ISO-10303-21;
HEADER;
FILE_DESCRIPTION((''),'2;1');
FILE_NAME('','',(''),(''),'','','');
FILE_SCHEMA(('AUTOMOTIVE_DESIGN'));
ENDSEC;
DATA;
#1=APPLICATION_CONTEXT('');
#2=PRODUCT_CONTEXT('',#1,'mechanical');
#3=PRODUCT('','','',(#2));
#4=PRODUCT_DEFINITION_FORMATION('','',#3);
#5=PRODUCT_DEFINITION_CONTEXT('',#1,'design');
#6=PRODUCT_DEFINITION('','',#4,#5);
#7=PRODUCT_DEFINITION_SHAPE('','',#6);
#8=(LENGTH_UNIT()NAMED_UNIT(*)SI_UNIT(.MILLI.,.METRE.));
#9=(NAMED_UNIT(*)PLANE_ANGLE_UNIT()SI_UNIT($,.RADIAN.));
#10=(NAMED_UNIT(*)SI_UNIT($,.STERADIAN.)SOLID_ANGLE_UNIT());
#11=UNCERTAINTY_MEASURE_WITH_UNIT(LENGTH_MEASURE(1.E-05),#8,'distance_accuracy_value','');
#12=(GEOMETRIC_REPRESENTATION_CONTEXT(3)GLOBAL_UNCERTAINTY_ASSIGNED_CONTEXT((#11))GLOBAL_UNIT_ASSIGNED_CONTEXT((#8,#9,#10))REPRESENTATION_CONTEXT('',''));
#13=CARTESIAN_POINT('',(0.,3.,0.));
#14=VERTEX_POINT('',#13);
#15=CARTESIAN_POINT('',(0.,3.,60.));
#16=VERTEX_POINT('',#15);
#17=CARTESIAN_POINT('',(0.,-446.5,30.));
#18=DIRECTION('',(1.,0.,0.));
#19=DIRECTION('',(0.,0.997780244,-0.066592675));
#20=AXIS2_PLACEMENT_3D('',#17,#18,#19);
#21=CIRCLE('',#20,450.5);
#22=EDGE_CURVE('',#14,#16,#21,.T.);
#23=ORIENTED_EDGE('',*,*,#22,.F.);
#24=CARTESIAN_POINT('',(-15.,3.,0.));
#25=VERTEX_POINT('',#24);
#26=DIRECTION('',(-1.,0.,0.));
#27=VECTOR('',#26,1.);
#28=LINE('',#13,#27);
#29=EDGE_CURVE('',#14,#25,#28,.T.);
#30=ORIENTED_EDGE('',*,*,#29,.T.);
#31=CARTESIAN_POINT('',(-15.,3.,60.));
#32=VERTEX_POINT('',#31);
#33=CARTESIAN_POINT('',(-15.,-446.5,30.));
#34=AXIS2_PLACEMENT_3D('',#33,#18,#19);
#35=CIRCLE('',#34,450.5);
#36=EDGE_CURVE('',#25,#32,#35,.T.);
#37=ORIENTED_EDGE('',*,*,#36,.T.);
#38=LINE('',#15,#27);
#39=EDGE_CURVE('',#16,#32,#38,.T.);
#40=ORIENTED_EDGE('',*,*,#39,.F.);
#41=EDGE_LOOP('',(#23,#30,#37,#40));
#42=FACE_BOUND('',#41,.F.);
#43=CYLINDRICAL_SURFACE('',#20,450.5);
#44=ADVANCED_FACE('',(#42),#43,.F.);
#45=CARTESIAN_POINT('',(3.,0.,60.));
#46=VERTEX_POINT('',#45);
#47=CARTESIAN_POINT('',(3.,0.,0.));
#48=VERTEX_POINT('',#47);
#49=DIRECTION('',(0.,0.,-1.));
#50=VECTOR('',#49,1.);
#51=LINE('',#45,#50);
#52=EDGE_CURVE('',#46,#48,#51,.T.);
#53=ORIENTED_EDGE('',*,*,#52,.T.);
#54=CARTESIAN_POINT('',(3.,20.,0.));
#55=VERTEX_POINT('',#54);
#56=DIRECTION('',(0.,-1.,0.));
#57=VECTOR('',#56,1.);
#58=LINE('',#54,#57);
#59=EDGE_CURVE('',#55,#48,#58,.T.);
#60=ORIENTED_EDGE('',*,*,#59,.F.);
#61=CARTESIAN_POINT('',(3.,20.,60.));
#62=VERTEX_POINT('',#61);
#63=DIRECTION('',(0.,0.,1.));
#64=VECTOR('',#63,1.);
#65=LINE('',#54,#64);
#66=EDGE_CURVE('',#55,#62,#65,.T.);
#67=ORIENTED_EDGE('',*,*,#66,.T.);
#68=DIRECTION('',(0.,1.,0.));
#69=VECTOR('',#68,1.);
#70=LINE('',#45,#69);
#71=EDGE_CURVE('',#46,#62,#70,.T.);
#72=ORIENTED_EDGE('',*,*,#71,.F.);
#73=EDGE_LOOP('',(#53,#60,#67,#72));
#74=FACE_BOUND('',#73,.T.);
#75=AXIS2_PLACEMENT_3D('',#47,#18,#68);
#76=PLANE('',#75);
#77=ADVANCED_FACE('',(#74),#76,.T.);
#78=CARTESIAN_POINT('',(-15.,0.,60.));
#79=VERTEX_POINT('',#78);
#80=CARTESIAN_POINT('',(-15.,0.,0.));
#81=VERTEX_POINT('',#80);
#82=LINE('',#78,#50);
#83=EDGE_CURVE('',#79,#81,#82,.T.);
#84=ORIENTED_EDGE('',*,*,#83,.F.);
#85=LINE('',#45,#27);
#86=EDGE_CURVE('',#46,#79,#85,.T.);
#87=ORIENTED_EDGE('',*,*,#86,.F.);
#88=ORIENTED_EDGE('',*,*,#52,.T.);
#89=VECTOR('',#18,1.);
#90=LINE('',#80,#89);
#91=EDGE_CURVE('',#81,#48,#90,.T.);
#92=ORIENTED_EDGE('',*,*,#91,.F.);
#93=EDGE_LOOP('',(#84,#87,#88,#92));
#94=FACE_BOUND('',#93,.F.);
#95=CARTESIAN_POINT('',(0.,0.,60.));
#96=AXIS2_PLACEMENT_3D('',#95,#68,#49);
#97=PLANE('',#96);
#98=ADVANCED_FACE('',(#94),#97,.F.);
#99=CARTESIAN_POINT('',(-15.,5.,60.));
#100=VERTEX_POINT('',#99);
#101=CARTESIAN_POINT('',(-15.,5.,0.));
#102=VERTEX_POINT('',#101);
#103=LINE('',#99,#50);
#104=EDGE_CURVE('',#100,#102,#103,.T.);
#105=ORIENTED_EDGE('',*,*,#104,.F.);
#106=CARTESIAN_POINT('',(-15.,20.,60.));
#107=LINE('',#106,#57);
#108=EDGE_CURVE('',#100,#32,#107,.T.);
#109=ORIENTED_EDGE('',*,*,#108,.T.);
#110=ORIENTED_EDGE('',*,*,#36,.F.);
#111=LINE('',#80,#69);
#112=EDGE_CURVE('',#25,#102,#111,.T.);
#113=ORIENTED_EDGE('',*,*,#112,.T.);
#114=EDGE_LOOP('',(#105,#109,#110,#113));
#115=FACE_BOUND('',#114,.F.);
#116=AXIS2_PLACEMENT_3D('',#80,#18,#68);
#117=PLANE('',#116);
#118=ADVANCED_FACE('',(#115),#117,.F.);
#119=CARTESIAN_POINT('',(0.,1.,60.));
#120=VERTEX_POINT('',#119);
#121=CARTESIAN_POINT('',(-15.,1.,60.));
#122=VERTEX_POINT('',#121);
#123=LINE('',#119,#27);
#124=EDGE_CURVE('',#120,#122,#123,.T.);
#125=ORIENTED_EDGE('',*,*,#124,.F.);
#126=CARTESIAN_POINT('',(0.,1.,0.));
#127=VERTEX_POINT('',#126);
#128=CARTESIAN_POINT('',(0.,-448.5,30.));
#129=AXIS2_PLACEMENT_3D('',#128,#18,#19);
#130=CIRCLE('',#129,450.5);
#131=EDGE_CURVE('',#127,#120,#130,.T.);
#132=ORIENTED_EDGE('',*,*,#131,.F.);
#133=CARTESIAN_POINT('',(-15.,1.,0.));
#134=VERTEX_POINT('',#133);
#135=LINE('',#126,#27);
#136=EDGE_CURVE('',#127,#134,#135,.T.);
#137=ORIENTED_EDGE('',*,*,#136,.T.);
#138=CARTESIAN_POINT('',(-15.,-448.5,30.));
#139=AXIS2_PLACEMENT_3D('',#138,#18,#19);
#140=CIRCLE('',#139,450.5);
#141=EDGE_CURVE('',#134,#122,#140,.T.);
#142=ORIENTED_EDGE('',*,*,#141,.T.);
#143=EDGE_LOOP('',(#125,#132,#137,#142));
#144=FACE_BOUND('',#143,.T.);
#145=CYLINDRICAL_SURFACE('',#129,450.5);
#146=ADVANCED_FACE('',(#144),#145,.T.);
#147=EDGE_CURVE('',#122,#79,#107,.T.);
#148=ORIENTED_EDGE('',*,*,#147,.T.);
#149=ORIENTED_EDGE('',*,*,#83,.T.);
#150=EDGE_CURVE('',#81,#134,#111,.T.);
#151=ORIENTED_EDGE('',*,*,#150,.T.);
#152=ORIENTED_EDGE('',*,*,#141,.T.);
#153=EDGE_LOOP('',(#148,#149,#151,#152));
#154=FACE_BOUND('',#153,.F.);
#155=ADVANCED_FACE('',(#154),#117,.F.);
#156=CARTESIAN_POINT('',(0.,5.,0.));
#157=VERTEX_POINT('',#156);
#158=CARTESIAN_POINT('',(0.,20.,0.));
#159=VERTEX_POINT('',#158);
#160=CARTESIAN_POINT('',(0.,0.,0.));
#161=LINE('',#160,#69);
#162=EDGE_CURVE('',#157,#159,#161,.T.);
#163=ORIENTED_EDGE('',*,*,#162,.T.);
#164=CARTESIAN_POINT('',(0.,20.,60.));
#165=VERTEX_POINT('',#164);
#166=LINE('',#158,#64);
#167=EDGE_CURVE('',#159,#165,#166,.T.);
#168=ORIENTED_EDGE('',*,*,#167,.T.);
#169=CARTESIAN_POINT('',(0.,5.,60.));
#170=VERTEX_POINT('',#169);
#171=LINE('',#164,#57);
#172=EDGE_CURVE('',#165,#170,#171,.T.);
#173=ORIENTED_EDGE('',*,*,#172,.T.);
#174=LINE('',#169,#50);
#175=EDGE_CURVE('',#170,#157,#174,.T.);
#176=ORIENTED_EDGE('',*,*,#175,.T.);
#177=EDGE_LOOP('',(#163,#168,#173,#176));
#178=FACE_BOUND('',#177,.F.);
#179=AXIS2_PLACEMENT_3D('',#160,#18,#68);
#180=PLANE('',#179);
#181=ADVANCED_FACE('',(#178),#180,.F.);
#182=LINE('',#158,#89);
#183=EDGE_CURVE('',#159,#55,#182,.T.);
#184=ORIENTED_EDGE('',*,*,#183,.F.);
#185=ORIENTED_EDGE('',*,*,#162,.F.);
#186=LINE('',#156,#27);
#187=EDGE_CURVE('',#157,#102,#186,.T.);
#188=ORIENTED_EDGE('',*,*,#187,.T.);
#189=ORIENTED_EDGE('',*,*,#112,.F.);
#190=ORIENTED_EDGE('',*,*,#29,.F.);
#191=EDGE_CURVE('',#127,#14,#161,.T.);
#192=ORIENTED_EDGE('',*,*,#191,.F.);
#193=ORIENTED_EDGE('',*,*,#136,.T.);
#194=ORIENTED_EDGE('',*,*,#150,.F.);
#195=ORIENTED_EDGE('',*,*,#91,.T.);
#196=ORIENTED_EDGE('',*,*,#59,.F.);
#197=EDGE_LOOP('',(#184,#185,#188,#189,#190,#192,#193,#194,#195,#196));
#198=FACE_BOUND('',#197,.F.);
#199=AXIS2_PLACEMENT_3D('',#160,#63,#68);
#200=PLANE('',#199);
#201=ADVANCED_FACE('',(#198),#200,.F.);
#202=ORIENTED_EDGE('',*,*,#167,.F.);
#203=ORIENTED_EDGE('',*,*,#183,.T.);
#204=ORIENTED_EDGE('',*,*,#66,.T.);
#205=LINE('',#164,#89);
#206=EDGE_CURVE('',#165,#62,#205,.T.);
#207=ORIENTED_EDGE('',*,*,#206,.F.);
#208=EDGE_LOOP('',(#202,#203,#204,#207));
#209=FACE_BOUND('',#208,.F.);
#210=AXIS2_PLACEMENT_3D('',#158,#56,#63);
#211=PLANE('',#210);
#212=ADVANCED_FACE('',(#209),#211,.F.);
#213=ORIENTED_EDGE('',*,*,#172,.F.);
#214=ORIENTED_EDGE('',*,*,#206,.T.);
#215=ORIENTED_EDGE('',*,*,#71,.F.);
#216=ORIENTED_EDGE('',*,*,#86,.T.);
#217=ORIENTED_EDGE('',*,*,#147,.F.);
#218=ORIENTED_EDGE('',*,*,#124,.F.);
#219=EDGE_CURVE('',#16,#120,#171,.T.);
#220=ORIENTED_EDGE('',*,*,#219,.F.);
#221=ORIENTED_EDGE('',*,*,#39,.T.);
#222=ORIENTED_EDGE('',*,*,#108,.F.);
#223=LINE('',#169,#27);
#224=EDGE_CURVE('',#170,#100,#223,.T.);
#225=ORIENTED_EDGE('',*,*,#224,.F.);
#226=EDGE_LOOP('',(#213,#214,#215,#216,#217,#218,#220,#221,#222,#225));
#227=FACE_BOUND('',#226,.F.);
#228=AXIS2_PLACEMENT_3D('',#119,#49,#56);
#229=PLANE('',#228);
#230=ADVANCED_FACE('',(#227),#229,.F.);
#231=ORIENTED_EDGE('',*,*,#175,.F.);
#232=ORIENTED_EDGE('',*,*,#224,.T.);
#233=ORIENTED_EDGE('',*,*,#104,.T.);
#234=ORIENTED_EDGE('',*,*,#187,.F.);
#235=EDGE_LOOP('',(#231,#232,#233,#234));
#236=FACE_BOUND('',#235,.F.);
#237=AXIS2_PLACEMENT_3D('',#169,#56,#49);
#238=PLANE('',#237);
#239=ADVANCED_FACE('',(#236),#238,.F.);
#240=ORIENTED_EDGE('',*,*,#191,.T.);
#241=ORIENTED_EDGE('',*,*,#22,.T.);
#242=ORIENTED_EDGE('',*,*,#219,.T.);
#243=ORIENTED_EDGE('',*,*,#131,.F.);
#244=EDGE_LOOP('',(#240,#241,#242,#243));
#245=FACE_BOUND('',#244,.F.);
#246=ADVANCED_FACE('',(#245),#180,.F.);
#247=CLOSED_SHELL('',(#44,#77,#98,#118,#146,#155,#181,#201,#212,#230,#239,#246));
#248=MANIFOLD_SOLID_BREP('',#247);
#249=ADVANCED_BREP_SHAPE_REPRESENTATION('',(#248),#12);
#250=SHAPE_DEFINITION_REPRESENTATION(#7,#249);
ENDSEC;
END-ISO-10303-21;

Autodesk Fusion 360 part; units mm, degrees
sketch "Sketch1" plane through (0, 0, 0) normal (1, 0, 0) x (0, 1, 0)
  line L0 (0, 0) -> (20, 0)
  line L1 (20, 0) -> (20, 60)
  line L2 (20, 60) -> (0, 60)
  line L3 (0, 60) -> (0, 0)
  line L4 (5, 60) -> (5, 0)
  arc A0 (1, 0) -> (1, 60) centre (-448.5, 30) ccw
  arc A1 (3, 0) -> (3, 60) centre (-446.5, 30) ccw
  line L5 (0, 30) -> (5, 30) construction
  line L6 (2, 30) -> (2.3932, 29.5453) construction
  line L7 (4, 30) -> (3.7548, 30.2991) construction
  dimension "d3" = 60
  dimension "d4" = 20
  dimension "d5" = 5
  dimension "d6" = 1
  dimension "d7" = 2
  dimension "d8" = 1
  dimension "d9" = 2
  dimension "d16" = 2
  dimension "d17" = 2
extrude "Extrude2" add sketch "Sketch1" along normal blind 3
extrude "Extrude3" add sketch "Sketch1" against normal blind 15 contours L0 L2 L3 A0 | L0 L2 L4 A1
equation "d8 = d6"
equation "d9 = d7"
